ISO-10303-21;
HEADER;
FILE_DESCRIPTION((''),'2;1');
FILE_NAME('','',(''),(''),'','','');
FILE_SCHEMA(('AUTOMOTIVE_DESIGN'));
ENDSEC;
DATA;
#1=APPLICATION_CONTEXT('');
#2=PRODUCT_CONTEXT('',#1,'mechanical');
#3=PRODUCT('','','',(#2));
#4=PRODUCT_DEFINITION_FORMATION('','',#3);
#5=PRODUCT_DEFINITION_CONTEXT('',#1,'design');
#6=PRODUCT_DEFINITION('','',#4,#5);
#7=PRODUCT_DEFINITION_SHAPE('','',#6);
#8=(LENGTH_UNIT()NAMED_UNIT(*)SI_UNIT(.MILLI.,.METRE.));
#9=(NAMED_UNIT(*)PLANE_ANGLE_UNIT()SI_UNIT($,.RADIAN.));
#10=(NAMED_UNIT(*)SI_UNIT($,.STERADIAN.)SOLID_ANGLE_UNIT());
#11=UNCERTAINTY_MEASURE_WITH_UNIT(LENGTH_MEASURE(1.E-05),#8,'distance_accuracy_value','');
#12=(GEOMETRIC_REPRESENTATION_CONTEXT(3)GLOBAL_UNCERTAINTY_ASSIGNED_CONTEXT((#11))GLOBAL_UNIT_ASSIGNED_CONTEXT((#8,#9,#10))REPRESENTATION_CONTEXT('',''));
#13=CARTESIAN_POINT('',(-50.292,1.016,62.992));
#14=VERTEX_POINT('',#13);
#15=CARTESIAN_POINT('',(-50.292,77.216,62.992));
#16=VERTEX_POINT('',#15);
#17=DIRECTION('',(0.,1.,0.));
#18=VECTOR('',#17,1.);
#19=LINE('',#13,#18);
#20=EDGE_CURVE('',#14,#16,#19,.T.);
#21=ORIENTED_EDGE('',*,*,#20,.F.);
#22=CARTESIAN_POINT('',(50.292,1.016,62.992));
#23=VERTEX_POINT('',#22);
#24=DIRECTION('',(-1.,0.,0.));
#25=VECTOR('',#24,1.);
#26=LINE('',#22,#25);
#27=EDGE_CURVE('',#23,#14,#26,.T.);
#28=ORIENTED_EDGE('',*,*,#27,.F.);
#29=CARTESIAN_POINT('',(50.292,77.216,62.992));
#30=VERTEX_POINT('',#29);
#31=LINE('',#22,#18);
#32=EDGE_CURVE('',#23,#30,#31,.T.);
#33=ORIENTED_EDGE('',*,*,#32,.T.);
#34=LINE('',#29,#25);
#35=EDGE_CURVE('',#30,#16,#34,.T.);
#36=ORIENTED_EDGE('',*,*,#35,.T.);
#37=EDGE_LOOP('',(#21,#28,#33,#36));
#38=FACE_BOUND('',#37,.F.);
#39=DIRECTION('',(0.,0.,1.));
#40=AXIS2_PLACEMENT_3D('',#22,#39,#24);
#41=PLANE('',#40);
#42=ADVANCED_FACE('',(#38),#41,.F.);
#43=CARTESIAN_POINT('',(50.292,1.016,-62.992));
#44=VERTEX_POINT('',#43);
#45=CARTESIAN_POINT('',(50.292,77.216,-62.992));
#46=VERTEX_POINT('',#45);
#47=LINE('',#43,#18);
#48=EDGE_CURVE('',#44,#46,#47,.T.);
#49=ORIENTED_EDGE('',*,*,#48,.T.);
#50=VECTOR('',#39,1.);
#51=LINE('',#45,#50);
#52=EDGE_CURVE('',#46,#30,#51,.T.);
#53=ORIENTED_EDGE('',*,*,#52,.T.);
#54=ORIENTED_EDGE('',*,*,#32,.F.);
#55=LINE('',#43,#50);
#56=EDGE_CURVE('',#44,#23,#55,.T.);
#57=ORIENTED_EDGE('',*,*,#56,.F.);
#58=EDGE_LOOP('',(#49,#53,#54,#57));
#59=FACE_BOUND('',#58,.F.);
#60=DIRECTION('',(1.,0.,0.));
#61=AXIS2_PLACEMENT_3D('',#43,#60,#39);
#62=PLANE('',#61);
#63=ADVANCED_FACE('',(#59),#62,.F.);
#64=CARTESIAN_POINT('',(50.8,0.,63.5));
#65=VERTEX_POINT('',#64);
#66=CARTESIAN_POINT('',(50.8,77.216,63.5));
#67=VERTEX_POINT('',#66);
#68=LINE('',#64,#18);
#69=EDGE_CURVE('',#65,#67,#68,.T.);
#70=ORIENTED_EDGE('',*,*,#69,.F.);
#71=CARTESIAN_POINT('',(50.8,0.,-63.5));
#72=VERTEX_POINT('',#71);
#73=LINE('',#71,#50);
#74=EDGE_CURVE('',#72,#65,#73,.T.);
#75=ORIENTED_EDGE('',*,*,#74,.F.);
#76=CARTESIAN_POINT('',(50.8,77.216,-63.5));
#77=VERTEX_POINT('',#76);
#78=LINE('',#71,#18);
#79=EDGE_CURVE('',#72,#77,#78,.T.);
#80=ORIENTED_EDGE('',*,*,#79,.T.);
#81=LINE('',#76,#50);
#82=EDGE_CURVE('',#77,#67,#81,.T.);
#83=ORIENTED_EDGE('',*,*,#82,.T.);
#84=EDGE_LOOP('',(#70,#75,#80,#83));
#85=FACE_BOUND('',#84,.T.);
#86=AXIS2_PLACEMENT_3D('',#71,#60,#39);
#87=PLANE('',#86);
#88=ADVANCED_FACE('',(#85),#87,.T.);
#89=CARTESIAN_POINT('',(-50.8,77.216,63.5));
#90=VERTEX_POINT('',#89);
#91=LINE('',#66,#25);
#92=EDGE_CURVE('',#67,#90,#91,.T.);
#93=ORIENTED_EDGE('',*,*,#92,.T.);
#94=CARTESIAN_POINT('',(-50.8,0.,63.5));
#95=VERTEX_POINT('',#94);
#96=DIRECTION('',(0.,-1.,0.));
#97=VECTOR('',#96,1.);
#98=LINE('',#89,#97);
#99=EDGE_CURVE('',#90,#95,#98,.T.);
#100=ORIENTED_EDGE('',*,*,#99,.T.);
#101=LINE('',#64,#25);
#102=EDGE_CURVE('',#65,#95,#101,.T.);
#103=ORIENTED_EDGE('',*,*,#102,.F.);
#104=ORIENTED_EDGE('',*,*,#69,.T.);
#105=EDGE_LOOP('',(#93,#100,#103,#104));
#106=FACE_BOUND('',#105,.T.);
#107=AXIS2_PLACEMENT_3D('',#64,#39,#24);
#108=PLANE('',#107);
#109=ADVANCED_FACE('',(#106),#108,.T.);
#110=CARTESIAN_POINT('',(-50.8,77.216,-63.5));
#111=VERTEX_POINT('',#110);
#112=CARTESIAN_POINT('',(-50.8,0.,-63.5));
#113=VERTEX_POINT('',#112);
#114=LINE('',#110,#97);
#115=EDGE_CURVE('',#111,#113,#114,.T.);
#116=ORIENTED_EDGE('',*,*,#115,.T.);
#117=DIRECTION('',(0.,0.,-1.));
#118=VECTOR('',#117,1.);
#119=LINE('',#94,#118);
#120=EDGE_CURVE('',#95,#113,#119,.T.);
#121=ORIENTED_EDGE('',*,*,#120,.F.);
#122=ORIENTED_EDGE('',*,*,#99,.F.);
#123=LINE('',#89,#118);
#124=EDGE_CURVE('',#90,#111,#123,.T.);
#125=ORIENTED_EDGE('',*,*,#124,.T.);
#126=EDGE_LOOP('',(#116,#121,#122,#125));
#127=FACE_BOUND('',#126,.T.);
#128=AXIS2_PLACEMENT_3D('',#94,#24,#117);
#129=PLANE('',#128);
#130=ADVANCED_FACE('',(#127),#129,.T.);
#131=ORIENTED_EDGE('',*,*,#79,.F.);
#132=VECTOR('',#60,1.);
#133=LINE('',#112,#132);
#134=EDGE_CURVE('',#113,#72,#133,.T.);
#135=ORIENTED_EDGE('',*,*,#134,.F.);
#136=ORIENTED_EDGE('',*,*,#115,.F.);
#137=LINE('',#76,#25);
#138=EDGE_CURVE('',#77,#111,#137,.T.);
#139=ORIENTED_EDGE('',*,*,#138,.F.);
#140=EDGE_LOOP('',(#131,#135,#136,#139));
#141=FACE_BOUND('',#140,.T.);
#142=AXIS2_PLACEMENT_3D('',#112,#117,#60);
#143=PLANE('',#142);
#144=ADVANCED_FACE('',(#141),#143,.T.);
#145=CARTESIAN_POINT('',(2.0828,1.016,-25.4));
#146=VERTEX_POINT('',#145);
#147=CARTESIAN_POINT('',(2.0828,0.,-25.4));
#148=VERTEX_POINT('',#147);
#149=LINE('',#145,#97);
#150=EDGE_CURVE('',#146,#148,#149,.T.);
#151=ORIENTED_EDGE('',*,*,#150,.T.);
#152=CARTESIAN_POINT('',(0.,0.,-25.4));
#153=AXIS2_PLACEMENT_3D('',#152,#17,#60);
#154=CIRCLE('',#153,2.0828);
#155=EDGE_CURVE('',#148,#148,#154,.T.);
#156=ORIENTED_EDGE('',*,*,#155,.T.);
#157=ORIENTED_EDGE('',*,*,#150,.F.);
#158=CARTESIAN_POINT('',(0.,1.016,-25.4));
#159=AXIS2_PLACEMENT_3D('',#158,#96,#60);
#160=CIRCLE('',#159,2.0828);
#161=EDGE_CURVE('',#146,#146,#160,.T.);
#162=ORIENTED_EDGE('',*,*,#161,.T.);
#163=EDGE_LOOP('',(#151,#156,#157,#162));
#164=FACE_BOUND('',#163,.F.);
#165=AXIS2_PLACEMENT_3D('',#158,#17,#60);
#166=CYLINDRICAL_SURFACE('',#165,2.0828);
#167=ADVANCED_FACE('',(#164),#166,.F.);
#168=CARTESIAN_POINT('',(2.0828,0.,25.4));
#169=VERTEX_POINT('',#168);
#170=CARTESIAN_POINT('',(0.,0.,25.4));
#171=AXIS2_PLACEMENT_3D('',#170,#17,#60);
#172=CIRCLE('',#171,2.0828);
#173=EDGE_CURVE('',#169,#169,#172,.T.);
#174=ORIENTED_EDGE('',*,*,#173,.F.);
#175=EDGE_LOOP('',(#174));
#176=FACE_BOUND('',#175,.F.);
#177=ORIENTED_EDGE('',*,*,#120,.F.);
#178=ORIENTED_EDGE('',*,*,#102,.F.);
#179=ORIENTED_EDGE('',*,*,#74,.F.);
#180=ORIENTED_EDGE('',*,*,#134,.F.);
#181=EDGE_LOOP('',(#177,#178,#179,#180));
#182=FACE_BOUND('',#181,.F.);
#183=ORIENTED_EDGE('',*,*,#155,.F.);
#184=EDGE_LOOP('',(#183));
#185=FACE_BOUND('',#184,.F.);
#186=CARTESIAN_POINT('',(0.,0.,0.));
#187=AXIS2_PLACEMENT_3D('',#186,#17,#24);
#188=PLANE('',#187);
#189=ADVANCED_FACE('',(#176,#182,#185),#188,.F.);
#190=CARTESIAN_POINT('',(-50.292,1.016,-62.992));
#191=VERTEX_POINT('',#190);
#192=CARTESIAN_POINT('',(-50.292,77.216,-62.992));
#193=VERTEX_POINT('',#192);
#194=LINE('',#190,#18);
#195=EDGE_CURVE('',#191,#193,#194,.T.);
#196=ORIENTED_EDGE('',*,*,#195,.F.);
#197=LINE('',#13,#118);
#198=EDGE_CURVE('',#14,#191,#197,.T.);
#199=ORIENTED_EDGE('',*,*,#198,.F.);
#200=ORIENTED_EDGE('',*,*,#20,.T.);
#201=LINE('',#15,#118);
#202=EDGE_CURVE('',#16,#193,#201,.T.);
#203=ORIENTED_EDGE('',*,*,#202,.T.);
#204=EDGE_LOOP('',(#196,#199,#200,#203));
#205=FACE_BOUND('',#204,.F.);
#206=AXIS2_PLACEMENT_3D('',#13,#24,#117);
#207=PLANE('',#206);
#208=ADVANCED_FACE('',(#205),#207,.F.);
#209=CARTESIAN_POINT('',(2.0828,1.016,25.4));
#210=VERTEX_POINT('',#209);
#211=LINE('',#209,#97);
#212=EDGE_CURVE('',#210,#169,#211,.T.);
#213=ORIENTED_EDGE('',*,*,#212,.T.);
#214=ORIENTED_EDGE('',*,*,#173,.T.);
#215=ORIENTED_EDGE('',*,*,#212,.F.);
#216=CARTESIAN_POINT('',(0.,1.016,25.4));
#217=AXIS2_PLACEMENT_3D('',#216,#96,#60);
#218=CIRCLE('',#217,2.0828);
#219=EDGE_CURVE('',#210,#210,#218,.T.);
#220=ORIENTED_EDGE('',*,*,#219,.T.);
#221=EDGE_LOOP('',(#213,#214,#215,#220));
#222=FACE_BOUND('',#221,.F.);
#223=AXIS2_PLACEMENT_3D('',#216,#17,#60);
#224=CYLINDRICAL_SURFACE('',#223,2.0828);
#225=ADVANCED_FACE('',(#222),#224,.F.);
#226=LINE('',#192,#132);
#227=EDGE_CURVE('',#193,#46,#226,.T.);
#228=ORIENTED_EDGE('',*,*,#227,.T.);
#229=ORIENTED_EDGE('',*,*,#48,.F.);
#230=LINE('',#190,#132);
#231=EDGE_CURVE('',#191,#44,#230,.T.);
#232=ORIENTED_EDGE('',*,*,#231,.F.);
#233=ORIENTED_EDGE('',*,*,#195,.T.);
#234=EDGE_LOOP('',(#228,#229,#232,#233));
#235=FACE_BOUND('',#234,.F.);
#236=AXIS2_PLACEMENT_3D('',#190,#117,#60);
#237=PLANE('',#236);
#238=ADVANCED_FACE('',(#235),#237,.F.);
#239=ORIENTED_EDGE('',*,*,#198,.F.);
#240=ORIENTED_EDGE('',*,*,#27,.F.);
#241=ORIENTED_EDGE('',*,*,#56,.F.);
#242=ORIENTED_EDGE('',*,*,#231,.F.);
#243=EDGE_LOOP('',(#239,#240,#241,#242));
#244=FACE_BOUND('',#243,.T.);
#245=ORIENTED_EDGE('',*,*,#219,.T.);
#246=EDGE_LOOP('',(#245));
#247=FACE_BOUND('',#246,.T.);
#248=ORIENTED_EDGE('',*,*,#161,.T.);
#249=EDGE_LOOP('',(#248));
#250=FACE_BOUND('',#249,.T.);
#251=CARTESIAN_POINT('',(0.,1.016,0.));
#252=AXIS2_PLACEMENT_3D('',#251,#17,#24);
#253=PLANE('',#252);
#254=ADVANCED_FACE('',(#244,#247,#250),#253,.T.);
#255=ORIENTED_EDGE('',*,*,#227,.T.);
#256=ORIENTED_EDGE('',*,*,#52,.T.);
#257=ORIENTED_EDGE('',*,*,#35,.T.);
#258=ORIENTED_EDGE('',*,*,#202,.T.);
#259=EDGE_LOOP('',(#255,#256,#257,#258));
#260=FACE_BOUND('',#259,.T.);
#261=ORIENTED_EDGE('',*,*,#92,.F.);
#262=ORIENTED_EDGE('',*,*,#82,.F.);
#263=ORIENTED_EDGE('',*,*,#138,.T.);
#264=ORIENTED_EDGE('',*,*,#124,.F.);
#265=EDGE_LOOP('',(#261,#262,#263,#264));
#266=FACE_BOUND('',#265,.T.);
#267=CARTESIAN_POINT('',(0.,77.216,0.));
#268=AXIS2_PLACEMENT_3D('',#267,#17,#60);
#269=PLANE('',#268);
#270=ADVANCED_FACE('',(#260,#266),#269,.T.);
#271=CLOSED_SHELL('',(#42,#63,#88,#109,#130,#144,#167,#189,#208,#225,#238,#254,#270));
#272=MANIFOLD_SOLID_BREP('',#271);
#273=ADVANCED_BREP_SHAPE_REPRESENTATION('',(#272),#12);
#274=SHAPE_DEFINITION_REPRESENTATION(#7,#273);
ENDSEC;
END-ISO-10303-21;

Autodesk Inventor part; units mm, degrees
ref_plane "YZ Plane" through (0, 0, 0) normal (1, 0, 0) x (0, 1, 0)
ref_plane "XZ Plane" through (0, 0, 0) normal (0, 1, 0) x (-1, 0, 0)
ref_plane "XY Plane" through (0, 0, 0) normal (0, 0, 1) x (1, 0, 0)
sketch "Sketch1" plane through (0, 0, 0) normal (0, 1, 0) x (-1, 0, 0)
  line L0 (-50.8, 63.5) -> (50.8, 63.5)
  line L1 (50.8, 63.5) -> (50.8, -63.5)
  line L2 (50.8, -63.5) -> (-50.8, -63.5)
  line L3 (-50.8, -63.5) -> (-50.8, 63.5)
  line L4 (-50.8, 63.5) -> (50.8, -63.5) construction
  line L5 (50.8, 63.5) -> (-50.8, -63.5) construction
  point P0 (0, 0)
  dimension "d0" = 101.6
  dimension "d1" = 127
extrude "Extrusion1" add sketch "Sketch1" along normal blind 1.016
sketch "Sketch2" plane through (0, 1.016, 0) normal (0, 1, 0) x (1, 0, 0)
  line L0 (50.8, 63.5) -> (-50.8, 63.5) projected
  line L1 (50.8, -63.5) -> (-50.8, -63.5)
  line L2 (-50.8, -63.5) -> (-50.8, 63.5)
  line L3 (-50.8, 63.5) -> (50.8, 63.5)
  line L4 (50.8, 63.5) -> (50.8, -63.5)
  line L5 (50.8, -63.5) -> (-50.8, 63.5) construction
  line L6 (-50.8, -63.5) -> (50.8, 63.5) construction
  line L7 (50.292, -62.992) -> (-50.292, -62.992)
  line L8 (-50.292, -62.992) -> (-50.292, 62.992)
  line L9 (-50.292, 62.992) -> (50.292, 62.992)
  line L10 (50.292, 62.992) -> (50.292, -62.992)
  line L11 (50.292, -62.992) -> (-50.292, 62.992) construction
  line L12 (-50.292, -62.992) -> (50.292, 62.992) construction
  point P0 (0, 0)
  dimension "d4" = 100.584
  dimension "d5" = 125.984
extrude "Extrusion2" add sketch "Sketch2" along normal blind 76.2
sketch "Sketch3" plane through (0, 1.016, 0) normal (0, 1, 0) x (1, 0, 0)
  line L0 (0, 0) -> (0, -25.4)
  line L1 (0, -25.4) -> (0, 25.4)
  circle A0 centre (0, -25.4) radius 2.0828
  circle A1 centre (0, 25.4) radius 2.0828
  dimension "d8" = 25.4
  dimension "d9" = 50.8
  dimension "d10" = 4.1656
  dimension "d11" = 4.1656
extrude "Extrusion3" cut sketch "Sketch3" against normal through all
properties part number "563-AU1028MG-5x4-Enclosure"
